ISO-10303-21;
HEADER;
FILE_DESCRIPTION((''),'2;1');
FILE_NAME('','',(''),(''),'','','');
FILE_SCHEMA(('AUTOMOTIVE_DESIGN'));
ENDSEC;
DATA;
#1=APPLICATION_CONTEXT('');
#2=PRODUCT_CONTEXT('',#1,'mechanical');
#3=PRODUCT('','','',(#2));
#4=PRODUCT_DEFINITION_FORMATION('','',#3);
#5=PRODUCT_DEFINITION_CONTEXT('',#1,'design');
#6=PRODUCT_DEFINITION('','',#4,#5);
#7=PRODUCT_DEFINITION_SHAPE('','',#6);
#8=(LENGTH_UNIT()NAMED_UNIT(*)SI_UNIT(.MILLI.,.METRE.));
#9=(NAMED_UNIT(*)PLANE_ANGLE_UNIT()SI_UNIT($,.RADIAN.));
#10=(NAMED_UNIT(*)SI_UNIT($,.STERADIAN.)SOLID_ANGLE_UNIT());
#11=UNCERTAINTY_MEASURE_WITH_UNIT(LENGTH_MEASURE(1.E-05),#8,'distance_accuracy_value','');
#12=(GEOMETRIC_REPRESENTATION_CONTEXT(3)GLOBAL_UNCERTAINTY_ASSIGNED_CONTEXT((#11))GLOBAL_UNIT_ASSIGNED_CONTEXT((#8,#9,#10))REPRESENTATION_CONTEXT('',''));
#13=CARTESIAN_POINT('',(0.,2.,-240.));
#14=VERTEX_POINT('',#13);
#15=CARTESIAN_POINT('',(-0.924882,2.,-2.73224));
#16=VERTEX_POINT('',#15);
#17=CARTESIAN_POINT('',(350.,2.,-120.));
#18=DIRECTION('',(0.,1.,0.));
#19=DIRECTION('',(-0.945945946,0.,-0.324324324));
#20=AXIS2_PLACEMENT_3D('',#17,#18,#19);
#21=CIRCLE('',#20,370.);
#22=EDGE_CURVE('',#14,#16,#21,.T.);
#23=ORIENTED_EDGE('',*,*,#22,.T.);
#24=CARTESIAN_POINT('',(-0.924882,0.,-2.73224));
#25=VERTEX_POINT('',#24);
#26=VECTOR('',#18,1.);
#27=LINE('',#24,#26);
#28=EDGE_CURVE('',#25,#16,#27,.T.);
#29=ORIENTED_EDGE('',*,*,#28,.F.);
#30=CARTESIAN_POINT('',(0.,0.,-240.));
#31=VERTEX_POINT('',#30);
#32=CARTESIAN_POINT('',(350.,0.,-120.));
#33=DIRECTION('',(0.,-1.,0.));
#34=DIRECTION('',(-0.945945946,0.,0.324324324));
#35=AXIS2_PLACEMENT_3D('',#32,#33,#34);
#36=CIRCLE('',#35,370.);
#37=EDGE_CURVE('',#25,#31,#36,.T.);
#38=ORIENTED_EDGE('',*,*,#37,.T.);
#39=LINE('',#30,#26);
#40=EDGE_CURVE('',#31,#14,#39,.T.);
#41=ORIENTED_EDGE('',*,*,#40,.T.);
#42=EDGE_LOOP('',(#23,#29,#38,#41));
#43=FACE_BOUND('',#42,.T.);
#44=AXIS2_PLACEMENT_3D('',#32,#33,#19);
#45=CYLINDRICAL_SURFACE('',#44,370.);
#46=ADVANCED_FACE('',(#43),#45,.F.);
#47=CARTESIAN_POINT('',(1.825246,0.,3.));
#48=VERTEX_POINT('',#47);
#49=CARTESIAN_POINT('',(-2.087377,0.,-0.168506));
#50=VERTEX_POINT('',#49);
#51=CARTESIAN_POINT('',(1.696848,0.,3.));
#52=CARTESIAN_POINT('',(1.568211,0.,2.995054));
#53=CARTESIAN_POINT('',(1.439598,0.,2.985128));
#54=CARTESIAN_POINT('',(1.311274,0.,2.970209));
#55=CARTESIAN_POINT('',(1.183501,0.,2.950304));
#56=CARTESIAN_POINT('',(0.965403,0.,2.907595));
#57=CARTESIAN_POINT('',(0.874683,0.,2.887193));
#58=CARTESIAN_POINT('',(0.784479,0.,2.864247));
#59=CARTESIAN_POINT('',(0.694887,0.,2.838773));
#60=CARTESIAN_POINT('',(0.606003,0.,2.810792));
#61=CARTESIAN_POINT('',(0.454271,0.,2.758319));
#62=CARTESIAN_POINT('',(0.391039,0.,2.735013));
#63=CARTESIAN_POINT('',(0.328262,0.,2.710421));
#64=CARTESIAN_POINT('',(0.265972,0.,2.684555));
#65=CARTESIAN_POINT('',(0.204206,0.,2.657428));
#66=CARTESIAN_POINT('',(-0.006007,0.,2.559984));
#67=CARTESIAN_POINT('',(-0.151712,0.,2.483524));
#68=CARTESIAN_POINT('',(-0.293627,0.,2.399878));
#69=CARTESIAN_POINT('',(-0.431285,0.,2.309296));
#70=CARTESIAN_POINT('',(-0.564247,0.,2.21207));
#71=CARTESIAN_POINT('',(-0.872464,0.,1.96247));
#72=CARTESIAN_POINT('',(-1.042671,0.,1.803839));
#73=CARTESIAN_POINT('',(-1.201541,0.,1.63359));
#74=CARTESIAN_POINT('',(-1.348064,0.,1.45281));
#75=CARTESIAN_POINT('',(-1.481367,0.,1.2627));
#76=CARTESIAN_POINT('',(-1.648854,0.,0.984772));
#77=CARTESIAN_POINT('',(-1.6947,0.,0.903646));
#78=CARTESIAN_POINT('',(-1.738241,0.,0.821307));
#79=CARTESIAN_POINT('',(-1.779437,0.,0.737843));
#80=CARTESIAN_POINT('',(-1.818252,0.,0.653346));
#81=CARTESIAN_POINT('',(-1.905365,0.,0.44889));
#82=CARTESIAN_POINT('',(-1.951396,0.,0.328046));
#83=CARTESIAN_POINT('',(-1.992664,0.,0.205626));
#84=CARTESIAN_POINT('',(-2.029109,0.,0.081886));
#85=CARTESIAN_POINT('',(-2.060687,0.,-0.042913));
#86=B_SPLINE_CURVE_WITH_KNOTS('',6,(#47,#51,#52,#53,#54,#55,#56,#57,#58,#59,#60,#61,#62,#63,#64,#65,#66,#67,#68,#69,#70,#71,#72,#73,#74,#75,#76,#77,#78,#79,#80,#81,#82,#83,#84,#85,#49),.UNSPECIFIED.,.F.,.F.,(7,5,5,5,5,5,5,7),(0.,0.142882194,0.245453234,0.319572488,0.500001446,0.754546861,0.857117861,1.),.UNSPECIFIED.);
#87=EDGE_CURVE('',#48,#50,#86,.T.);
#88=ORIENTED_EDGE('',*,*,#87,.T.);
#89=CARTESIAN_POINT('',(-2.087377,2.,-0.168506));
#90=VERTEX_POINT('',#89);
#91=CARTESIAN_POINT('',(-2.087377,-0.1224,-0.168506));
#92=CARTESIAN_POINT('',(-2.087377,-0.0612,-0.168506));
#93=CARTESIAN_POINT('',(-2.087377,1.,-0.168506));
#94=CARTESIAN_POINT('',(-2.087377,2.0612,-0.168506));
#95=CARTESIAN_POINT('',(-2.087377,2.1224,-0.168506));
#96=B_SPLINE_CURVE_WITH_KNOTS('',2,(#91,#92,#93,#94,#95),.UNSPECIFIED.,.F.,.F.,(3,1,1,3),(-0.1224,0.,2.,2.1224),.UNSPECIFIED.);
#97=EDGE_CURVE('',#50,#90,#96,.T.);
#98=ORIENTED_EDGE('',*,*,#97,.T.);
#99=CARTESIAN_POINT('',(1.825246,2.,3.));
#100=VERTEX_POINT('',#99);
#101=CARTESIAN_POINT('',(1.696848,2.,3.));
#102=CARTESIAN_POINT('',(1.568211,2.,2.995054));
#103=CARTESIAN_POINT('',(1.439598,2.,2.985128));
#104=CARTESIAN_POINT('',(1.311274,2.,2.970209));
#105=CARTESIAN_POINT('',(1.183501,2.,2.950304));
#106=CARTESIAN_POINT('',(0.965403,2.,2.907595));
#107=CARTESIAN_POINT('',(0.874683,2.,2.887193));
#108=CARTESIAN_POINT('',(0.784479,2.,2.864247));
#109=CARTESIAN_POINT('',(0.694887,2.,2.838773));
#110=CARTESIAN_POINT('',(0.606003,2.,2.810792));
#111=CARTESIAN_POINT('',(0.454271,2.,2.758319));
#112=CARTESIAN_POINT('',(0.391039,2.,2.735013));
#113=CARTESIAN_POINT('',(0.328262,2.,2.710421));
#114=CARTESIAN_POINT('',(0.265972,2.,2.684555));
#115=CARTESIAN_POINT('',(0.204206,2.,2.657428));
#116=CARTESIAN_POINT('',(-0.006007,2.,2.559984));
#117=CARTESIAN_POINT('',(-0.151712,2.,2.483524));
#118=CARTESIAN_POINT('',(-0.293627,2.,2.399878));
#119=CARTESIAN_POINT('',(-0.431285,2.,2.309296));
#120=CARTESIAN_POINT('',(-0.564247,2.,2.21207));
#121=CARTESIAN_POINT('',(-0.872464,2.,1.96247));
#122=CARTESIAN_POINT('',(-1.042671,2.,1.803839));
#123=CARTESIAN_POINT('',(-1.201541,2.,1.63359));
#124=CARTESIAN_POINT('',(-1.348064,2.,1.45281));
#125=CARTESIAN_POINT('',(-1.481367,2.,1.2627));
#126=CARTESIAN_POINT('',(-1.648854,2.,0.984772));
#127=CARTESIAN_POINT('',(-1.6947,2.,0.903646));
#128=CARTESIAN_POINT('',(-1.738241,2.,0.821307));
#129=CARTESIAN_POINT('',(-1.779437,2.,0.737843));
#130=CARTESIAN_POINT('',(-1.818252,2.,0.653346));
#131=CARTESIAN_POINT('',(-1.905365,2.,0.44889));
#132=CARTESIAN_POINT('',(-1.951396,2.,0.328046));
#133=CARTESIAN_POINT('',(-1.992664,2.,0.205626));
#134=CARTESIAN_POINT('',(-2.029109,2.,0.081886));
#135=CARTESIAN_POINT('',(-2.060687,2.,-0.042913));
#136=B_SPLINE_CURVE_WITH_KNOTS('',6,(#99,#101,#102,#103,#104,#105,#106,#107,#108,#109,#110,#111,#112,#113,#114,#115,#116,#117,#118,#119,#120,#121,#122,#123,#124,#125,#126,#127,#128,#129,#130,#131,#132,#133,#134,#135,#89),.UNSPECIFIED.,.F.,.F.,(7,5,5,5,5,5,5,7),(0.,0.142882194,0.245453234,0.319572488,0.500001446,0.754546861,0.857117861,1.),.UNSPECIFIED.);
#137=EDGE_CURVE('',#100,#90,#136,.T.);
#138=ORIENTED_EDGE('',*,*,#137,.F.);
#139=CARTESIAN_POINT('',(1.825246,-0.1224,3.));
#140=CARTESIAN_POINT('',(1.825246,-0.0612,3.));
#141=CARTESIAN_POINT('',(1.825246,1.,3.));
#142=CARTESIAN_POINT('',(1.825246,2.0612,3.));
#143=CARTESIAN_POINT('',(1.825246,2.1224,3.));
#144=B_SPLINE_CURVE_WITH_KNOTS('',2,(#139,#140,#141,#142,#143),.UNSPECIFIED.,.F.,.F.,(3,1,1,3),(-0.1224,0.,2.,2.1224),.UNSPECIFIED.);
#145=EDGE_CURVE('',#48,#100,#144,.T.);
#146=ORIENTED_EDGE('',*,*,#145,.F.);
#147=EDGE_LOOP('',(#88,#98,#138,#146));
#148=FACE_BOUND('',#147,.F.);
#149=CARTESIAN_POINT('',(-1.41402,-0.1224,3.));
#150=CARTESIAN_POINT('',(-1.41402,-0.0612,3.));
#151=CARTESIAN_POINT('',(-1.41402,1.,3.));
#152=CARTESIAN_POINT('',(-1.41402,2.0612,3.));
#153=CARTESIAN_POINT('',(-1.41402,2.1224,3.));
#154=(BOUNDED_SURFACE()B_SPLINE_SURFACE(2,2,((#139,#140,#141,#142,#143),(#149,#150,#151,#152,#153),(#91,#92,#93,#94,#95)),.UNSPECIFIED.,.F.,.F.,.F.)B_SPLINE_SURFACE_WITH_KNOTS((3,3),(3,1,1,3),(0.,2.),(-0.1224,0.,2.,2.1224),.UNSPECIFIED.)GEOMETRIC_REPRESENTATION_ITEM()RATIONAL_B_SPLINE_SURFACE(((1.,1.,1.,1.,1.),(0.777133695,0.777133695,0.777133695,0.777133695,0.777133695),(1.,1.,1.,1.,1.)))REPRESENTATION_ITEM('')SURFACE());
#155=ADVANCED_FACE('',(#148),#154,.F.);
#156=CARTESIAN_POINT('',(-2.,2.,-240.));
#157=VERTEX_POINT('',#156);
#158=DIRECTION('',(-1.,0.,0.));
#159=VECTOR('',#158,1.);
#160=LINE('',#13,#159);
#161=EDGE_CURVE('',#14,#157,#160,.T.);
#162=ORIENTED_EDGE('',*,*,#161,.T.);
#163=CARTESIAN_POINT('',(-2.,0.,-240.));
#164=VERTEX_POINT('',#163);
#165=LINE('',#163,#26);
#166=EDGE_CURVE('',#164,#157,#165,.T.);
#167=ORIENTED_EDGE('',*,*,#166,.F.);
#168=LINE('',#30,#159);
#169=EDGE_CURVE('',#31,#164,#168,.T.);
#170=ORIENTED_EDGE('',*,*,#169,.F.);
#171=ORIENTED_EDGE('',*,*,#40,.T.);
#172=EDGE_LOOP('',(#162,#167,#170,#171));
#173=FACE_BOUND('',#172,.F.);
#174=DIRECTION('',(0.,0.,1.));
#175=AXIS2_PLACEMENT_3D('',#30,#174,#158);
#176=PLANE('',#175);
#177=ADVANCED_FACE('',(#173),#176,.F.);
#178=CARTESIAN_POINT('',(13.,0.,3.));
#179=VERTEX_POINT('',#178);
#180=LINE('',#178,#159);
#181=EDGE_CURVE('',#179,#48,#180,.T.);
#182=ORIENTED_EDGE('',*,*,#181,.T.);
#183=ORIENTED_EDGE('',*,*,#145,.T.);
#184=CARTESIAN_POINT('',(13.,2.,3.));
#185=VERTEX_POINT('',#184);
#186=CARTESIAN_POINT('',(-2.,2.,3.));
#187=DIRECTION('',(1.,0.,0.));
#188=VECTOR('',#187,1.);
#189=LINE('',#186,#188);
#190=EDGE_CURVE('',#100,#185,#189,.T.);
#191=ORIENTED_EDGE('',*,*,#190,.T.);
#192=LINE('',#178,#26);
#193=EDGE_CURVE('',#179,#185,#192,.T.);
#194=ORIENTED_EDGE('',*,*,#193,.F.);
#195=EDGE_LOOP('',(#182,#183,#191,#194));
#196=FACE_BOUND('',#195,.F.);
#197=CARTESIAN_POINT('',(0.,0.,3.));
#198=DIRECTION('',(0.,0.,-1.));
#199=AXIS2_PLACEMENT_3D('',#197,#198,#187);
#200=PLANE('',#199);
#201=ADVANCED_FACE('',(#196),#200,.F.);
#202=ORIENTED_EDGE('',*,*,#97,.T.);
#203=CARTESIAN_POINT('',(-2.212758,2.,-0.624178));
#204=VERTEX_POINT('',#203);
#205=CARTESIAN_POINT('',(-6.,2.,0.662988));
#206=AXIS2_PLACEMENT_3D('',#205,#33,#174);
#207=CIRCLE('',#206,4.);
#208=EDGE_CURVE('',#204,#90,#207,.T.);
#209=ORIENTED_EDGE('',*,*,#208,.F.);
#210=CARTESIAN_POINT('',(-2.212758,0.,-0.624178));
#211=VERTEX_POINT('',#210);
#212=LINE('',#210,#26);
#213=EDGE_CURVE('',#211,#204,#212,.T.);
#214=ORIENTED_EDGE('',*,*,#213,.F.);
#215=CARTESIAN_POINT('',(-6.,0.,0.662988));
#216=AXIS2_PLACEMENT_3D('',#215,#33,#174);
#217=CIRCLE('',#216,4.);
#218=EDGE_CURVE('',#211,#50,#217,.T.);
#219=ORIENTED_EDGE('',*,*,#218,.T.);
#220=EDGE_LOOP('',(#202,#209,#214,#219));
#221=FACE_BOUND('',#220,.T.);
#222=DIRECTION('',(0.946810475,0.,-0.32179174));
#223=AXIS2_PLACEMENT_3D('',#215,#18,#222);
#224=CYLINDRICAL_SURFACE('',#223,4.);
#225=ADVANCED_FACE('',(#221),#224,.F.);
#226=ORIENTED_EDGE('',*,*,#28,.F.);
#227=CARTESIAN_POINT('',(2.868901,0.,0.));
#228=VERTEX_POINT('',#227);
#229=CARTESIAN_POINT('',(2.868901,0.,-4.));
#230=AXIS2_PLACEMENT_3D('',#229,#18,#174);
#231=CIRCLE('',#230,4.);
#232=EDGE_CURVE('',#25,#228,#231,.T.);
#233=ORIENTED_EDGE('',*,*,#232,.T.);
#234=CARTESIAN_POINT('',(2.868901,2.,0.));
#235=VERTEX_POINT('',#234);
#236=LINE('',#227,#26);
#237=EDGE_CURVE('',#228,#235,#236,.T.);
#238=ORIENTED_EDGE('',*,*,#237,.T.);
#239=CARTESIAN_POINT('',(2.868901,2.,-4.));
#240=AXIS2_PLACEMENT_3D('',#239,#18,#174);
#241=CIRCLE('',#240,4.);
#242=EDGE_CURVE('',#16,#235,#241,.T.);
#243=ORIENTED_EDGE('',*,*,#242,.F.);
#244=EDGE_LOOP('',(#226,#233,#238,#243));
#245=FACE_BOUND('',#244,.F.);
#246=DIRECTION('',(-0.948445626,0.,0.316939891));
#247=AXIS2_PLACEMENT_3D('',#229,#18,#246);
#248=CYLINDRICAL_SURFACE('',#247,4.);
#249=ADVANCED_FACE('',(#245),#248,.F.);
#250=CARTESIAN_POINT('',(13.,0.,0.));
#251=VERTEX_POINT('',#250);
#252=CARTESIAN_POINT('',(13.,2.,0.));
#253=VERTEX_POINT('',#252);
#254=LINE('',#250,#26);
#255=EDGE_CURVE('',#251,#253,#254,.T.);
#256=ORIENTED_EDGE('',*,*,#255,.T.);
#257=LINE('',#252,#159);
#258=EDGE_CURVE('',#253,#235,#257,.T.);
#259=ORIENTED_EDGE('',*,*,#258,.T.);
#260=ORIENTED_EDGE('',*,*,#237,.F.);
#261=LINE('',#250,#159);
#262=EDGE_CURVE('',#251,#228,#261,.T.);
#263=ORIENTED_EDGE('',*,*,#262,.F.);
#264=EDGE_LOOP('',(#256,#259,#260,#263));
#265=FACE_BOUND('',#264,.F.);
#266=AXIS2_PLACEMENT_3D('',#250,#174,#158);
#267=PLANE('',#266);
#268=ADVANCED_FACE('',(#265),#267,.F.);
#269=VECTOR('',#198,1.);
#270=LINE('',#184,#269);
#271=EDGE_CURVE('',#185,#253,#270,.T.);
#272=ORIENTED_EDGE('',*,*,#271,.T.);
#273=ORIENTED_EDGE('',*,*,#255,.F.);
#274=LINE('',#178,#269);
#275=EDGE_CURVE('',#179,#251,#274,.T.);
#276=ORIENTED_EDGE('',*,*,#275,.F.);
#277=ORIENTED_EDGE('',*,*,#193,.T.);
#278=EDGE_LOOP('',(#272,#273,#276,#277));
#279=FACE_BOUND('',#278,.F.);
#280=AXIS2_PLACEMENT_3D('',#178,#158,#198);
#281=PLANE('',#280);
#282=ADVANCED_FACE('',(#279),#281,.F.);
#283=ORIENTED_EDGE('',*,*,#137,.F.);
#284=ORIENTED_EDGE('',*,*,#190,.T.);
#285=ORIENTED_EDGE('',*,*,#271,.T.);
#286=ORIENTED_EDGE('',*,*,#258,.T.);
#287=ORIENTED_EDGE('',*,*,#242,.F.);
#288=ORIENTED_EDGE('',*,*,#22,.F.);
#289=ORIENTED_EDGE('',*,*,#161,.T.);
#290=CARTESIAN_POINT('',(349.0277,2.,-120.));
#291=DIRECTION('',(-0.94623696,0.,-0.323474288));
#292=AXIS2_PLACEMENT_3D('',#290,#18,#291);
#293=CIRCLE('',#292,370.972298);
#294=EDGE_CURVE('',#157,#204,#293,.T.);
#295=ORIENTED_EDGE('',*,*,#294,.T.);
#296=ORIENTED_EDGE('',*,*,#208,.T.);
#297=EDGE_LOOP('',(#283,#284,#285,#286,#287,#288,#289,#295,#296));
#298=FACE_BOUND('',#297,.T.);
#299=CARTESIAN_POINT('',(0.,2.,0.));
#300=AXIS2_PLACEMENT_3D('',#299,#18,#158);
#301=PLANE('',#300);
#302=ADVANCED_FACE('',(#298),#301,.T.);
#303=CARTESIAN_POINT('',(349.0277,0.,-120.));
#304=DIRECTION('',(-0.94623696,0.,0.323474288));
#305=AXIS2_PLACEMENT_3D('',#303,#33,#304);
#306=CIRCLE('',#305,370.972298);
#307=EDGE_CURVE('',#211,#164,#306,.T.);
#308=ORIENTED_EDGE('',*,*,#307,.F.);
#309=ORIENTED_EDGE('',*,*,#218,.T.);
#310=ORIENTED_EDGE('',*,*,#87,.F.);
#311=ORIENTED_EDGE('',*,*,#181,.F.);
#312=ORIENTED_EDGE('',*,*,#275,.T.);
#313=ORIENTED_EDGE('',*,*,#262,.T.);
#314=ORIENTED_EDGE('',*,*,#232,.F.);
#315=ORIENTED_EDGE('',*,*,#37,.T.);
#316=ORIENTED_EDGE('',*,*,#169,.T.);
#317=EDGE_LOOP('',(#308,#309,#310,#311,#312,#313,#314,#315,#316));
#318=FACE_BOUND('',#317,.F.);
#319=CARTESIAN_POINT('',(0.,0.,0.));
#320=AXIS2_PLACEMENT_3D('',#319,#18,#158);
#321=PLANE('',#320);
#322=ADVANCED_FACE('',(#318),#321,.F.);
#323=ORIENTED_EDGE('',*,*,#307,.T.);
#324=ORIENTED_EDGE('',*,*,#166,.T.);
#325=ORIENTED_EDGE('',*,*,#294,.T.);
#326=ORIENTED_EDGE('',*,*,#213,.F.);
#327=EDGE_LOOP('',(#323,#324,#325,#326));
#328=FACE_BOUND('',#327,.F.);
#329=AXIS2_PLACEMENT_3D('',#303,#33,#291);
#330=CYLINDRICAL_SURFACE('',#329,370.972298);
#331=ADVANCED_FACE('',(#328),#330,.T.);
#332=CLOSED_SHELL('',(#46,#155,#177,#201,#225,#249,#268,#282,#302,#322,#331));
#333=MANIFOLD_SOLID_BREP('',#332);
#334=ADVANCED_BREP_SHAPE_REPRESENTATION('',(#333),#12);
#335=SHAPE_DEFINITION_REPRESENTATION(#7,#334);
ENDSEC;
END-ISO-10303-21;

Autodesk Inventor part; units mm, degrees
ref_plane "YZ Plane" through (0, 0, 0) normal (1, 0, 0) x (0, 1, 0)
ref_plane "XZ Plane" through (0, 0, 0) normal (0, 1, 0) x (-1, 0, 0)
ref_plane "XY Plane" through (0, 0, 0) normal (0, 0, 1) x (1, 0, 0)
sketch "Sketch1" plane through (0, 0, 0) normal (0, 1, 0) x (-1, 0, 0)
  line L0 (0, -288.8586) -> (0, 52.4523) projected
  arc A0 (0, -240) -> (0, 0) centre (-350, -120) ccw
  line L1 (0, 0) -> (0, -240)
  line L2 (0, -240) -> (20, -240)
  line L3 (20, -240) -> (20, 0)
  line L4 (20, 0) -> (0, 0)
  arc A1 (2, -240) -> (2, 0) centre (-349.0277, -120) ccw
  line L5 (2, 0) -> (2, 3)
  line L6 (2, 3) -> (-13, 3)
  line L7 (-13, 3) -> (-13, 0)
  line L8 (-13, 0) -> (2, 0)
  point P0 (0, 0)
  dimension "d2" = 240
  dimension "d5" = 20
  dimension "d6" = 2
  dimension "d7" = 2
  dimension "d10" = 3
  dimension "d11" = 15
extrude "Extrusion1" add sketch "Sketch1" along normal blind 2 contours A0 L3 A1 L2 | L8 L7 L6 L0 | L4 A1 L3 A0 | L0 L6 L5 L4 | L3 A1
fillet "Fillet1" radius 4 3 edges at (-2, 1, 3) (-2, 1, 0) (0, 1, 0)
sketch "Sketch2" plane through (0, 2, 0) normal (0, 1, 0) x (1, 0, 0)
  line L0 (13, 0) -> (2.8689, 0) projected
  arc A0 (0, 240) -> (-0.9249, 2.7322) centre (350, 120) ccw projected
  line L1 (0, 240) -> (-2, 240) projected
  arc A1 (-2, 240) -> (-2.2128, 0.6242) centre (349.0277, 120) ccw projected
  line L2 (1.8252, -3) -> (13, -3) projected
  line L3 (13, -3) -> (13, 0) projected
  arc A2 (-2.0874, 0.1685) -> (1.8252, -3) centre (1.8252, 1) ccw projected
  arc A3 (-2.0874, 0.1685) -> (-2.2128, 0.6242) centre (-6, -0.663) ccw projected
  arc A4 (-0.9249, 2.7322) -> (2.8689, 0) centre (2.8689, 4) ccw projected
  point P0 (0, 0)
properties part number "Test_feather_frame"
